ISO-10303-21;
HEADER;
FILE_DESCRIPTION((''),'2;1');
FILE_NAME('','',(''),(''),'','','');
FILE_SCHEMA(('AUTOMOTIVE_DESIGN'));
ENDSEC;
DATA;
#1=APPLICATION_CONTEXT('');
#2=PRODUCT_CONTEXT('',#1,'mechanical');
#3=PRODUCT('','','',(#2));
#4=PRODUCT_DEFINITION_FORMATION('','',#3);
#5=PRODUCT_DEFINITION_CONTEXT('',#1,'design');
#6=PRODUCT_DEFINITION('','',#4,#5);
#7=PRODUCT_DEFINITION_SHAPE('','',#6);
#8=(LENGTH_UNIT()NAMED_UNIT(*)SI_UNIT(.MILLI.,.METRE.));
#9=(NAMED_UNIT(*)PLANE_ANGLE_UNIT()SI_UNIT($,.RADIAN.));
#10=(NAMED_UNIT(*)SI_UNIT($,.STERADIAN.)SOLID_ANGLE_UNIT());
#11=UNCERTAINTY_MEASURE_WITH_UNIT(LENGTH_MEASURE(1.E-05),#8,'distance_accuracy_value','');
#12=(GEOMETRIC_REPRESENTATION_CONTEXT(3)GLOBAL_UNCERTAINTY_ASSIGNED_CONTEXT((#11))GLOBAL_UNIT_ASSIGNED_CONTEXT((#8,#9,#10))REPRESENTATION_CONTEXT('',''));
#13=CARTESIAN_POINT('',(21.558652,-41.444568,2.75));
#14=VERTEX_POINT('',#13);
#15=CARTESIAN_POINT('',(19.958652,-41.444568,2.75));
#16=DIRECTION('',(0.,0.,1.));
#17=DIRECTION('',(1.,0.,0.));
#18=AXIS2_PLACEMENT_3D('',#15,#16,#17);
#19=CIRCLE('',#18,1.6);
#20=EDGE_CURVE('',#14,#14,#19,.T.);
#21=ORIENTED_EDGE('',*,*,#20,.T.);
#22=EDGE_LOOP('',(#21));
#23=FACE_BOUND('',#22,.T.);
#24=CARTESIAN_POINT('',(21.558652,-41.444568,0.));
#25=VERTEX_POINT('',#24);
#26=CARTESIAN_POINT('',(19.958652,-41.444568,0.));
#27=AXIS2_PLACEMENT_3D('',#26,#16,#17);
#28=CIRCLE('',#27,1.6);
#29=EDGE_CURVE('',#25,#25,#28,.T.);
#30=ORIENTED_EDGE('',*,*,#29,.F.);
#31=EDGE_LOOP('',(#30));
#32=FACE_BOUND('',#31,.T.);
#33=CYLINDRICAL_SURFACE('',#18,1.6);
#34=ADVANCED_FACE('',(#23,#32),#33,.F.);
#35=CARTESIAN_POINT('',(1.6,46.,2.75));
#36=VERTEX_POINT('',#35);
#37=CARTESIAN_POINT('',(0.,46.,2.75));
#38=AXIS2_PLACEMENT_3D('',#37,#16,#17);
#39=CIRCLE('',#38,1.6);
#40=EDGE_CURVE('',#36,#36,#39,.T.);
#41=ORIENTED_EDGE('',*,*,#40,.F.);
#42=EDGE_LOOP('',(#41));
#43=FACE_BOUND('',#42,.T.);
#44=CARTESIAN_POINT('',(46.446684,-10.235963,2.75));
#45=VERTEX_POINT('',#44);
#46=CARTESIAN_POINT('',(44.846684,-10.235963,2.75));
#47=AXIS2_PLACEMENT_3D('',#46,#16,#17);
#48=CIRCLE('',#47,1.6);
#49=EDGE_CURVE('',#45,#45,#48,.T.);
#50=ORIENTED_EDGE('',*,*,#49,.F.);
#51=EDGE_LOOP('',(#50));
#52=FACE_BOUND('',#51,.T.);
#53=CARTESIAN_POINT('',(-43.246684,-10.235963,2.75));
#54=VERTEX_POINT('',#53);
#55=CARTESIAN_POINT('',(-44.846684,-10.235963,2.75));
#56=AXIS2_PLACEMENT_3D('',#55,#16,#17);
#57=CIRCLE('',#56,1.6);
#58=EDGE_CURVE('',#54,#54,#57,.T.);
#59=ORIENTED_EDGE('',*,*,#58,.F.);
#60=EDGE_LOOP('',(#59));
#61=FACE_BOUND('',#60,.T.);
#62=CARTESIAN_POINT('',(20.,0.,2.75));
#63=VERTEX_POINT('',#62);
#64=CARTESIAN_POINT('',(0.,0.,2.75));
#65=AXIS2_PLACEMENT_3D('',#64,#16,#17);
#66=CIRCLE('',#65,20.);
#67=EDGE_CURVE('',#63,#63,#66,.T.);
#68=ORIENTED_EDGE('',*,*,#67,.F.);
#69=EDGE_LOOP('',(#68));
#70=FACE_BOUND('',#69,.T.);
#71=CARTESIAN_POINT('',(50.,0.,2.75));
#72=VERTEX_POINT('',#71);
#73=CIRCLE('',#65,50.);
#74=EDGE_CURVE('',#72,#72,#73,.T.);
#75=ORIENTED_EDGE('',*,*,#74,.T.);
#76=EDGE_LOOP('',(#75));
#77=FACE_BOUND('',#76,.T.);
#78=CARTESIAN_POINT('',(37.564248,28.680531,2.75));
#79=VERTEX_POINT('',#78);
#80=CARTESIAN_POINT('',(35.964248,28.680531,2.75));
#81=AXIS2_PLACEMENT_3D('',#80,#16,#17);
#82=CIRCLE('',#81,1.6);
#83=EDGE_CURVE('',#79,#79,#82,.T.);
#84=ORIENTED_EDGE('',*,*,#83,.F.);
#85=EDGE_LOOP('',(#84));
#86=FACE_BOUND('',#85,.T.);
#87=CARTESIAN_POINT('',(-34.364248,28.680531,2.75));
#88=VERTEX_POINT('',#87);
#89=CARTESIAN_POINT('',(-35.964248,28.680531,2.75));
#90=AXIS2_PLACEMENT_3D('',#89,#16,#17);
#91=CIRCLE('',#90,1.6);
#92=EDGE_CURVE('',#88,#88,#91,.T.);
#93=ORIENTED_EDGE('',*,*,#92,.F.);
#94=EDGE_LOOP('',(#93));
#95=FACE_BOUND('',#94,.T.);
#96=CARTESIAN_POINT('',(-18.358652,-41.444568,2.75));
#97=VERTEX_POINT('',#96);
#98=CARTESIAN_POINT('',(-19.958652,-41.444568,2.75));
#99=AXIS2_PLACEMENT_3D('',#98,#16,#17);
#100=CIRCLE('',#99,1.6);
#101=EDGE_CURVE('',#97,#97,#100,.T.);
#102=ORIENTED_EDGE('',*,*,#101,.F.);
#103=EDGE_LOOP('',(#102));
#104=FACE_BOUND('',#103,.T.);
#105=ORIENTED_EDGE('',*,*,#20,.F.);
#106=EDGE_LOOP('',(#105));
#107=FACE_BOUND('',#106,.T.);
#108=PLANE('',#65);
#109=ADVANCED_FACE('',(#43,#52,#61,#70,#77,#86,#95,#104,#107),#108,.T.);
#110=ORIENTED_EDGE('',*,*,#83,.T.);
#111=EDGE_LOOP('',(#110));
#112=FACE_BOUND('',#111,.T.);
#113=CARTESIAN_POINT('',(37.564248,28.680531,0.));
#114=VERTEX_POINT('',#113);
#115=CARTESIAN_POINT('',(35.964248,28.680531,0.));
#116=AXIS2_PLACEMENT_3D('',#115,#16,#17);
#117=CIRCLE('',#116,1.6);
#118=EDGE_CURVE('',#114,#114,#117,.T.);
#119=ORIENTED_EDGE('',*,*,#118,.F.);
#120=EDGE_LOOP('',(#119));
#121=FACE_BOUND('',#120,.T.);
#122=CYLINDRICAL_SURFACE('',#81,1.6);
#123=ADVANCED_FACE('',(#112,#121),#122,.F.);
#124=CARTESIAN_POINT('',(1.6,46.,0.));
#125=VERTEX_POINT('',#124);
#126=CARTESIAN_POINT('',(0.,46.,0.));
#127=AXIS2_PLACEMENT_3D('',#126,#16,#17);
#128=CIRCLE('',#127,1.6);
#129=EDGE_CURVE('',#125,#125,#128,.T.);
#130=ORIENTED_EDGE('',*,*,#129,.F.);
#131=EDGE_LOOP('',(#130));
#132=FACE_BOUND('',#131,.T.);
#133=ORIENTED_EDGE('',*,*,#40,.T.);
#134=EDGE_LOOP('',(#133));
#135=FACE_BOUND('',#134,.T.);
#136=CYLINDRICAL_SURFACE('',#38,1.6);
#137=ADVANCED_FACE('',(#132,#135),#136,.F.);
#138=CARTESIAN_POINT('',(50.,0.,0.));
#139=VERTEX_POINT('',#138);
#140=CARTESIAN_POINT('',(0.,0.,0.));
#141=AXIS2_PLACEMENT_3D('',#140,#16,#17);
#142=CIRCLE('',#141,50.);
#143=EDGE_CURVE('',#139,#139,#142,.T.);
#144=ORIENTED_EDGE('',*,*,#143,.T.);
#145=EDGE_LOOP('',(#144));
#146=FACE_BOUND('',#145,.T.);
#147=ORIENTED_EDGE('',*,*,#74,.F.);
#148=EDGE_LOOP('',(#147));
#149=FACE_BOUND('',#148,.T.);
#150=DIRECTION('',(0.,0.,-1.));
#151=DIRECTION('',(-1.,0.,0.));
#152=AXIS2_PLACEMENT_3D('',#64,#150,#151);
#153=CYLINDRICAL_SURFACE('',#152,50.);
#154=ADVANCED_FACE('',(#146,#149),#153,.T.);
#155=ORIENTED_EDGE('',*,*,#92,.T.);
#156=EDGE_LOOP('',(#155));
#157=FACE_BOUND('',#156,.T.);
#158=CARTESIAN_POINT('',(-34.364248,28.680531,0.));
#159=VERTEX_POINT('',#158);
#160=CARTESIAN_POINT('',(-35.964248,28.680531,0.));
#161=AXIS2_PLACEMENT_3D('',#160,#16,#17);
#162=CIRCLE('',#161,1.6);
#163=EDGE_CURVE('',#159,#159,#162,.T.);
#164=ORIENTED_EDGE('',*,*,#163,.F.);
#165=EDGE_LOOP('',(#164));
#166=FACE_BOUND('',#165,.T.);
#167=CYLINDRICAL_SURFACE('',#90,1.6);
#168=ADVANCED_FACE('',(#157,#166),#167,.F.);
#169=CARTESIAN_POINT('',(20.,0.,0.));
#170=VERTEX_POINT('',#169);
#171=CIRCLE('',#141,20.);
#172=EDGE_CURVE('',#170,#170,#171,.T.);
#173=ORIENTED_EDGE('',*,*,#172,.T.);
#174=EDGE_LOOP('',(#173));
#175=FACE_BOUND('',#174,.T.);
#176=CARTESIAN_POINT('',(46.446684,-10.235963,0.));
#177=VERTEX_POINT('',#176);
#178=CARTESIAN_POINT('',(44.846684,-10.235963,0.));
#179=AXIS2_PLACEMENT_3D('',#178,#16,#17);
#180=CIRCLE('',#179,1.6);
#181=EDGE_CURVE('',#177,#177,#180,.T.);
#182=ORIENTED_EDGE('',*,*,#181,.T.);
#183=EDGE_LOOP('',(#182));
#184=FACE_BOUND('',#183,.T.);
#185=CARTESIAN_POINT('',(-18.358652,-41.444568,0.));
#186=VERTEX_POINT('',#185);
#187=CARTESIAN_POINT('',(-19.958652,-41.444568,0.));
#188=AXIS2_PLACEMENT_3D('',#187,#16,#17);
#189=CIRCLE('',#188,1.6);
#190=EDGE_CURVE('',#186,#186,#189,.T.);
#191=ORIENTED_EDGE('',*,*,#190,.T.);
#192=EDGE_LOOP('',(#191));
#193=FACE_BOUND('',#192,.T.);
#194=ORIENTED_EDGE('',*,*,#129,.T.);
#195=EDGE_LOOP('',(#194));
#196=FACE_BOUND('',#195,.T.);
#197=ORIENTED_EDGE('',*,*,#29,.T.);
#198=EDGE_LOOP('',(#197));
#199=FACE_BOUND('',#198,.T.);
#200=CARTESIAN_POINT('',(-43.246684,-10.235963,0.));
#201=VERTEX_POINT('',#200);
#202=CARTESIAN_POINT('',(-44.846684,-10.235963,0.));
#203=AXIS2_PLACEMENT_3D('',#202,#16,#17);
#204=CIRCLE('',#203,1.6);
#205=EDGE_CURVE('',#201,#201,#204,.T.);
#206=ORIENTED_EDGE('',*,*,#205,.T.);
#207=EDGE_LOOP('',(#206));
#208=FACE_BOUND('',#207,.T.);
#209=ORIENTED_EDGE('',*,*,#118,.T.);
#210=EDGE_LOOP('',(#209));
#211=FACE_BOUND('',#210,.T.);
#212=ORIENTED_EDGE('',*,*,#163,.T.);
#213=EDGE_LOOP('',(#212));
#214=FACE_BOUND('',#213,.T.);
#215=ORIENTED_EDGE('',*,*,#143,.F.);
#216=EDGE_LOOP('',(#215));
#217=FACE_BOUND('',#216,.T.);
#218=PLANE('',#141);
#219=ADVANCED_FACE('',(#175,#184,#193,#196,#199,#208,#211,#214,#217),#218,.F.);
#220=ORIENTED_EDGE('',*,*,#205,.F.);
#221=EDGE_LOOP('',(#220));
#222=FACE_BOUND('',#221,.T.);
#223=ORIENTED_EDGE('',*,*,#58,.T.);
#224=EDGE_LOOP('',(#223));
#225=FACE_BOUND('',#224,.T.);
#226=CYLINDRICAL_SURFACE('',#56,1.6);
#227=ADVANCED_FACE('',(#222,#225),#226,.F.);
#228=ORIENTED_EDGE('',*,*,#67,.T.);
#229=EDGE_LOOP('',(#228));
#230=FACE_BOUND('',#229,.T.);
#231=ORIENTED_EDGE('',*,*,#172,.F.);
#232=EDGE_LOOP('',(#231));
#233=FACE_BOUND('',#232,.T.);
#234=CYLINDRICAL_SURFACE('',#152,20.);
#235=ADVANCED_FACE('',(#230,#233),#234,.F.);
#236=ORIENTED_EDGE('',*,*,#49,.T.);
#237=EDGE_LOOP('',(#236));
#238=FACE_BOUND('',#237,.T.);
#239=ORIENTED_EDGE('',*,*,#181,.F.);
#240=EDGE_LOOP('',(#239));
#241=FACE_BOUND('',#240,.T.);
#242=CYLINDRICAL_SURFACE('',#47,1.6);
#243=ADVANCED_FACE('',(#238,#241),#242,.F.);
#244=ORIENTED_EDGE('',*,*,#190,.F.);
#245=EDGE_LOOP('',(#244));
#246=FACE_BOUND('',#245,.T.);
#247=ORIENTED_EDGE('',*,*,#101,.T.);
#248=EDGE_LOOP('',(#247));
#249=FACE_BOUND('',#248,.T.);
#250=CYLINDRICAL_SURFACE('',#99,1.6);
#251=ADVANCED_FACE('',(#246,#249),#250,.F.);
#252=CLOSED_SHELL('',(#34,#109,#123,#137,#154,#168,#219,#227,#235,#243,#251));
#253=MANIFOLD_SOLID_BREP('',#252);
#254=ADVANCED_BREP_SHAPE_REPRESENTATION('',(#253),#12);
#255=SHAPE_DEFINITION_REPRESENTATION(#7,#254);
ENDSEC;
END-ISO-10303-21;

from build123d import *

# Parameters (mm, degrees)
SKIZZE1_R                        = 50
SKIZZE1_R_2                      = 20
AUFSATZ_LINEAR_AUSTRAGEN1_DEPTH  = 2.75
F_3_2_3_2_DURCHMESSER_BOHRUNG1_D = 3.2
KREISMUSTER1_COUNT               = 7


with BuildPart() as part:
    # Skizze1 → Aufsatz-Linear austragen1 (new body)
    with BuildSketch(Plane.XY):
        Circle(SKIZZE1_R)
        Circle(SKIZZE1_R_2, mode=Mode.SUBTRACT)
    extrude(amount=AUFSATZ_LINEAR_AUSTRAGEN1_DEPTH)

    # Ø3.2 (3.2) Durchmesser Bohrung1 (through all)
    with Locations(Plane.XY.offset(2.75)):
        with Locations((0, 46)):
            f_3_2_3_2_durchmesser_bohrung1 = Hole(F_3_2_3_2_DURCHMESSER_BOHRUNG1_D / 2)

    # Kreismuster1: Ø3.2 (3.2) Durchmesser Bohrung1 ×7 about axis
    kreismuster1_axis = Axis((0, 0, 0), (0, 0, 1))
    for i in range(1, KREISMUSTER1_COUNT):
        add(f_3_2_3_2_durchmesser_bohrung1.rotate(kreismuster1_axis, i * 360 / KREISMUSTER1_COUNT), mode=Mode.SUBTRACT)


solid = part.part
